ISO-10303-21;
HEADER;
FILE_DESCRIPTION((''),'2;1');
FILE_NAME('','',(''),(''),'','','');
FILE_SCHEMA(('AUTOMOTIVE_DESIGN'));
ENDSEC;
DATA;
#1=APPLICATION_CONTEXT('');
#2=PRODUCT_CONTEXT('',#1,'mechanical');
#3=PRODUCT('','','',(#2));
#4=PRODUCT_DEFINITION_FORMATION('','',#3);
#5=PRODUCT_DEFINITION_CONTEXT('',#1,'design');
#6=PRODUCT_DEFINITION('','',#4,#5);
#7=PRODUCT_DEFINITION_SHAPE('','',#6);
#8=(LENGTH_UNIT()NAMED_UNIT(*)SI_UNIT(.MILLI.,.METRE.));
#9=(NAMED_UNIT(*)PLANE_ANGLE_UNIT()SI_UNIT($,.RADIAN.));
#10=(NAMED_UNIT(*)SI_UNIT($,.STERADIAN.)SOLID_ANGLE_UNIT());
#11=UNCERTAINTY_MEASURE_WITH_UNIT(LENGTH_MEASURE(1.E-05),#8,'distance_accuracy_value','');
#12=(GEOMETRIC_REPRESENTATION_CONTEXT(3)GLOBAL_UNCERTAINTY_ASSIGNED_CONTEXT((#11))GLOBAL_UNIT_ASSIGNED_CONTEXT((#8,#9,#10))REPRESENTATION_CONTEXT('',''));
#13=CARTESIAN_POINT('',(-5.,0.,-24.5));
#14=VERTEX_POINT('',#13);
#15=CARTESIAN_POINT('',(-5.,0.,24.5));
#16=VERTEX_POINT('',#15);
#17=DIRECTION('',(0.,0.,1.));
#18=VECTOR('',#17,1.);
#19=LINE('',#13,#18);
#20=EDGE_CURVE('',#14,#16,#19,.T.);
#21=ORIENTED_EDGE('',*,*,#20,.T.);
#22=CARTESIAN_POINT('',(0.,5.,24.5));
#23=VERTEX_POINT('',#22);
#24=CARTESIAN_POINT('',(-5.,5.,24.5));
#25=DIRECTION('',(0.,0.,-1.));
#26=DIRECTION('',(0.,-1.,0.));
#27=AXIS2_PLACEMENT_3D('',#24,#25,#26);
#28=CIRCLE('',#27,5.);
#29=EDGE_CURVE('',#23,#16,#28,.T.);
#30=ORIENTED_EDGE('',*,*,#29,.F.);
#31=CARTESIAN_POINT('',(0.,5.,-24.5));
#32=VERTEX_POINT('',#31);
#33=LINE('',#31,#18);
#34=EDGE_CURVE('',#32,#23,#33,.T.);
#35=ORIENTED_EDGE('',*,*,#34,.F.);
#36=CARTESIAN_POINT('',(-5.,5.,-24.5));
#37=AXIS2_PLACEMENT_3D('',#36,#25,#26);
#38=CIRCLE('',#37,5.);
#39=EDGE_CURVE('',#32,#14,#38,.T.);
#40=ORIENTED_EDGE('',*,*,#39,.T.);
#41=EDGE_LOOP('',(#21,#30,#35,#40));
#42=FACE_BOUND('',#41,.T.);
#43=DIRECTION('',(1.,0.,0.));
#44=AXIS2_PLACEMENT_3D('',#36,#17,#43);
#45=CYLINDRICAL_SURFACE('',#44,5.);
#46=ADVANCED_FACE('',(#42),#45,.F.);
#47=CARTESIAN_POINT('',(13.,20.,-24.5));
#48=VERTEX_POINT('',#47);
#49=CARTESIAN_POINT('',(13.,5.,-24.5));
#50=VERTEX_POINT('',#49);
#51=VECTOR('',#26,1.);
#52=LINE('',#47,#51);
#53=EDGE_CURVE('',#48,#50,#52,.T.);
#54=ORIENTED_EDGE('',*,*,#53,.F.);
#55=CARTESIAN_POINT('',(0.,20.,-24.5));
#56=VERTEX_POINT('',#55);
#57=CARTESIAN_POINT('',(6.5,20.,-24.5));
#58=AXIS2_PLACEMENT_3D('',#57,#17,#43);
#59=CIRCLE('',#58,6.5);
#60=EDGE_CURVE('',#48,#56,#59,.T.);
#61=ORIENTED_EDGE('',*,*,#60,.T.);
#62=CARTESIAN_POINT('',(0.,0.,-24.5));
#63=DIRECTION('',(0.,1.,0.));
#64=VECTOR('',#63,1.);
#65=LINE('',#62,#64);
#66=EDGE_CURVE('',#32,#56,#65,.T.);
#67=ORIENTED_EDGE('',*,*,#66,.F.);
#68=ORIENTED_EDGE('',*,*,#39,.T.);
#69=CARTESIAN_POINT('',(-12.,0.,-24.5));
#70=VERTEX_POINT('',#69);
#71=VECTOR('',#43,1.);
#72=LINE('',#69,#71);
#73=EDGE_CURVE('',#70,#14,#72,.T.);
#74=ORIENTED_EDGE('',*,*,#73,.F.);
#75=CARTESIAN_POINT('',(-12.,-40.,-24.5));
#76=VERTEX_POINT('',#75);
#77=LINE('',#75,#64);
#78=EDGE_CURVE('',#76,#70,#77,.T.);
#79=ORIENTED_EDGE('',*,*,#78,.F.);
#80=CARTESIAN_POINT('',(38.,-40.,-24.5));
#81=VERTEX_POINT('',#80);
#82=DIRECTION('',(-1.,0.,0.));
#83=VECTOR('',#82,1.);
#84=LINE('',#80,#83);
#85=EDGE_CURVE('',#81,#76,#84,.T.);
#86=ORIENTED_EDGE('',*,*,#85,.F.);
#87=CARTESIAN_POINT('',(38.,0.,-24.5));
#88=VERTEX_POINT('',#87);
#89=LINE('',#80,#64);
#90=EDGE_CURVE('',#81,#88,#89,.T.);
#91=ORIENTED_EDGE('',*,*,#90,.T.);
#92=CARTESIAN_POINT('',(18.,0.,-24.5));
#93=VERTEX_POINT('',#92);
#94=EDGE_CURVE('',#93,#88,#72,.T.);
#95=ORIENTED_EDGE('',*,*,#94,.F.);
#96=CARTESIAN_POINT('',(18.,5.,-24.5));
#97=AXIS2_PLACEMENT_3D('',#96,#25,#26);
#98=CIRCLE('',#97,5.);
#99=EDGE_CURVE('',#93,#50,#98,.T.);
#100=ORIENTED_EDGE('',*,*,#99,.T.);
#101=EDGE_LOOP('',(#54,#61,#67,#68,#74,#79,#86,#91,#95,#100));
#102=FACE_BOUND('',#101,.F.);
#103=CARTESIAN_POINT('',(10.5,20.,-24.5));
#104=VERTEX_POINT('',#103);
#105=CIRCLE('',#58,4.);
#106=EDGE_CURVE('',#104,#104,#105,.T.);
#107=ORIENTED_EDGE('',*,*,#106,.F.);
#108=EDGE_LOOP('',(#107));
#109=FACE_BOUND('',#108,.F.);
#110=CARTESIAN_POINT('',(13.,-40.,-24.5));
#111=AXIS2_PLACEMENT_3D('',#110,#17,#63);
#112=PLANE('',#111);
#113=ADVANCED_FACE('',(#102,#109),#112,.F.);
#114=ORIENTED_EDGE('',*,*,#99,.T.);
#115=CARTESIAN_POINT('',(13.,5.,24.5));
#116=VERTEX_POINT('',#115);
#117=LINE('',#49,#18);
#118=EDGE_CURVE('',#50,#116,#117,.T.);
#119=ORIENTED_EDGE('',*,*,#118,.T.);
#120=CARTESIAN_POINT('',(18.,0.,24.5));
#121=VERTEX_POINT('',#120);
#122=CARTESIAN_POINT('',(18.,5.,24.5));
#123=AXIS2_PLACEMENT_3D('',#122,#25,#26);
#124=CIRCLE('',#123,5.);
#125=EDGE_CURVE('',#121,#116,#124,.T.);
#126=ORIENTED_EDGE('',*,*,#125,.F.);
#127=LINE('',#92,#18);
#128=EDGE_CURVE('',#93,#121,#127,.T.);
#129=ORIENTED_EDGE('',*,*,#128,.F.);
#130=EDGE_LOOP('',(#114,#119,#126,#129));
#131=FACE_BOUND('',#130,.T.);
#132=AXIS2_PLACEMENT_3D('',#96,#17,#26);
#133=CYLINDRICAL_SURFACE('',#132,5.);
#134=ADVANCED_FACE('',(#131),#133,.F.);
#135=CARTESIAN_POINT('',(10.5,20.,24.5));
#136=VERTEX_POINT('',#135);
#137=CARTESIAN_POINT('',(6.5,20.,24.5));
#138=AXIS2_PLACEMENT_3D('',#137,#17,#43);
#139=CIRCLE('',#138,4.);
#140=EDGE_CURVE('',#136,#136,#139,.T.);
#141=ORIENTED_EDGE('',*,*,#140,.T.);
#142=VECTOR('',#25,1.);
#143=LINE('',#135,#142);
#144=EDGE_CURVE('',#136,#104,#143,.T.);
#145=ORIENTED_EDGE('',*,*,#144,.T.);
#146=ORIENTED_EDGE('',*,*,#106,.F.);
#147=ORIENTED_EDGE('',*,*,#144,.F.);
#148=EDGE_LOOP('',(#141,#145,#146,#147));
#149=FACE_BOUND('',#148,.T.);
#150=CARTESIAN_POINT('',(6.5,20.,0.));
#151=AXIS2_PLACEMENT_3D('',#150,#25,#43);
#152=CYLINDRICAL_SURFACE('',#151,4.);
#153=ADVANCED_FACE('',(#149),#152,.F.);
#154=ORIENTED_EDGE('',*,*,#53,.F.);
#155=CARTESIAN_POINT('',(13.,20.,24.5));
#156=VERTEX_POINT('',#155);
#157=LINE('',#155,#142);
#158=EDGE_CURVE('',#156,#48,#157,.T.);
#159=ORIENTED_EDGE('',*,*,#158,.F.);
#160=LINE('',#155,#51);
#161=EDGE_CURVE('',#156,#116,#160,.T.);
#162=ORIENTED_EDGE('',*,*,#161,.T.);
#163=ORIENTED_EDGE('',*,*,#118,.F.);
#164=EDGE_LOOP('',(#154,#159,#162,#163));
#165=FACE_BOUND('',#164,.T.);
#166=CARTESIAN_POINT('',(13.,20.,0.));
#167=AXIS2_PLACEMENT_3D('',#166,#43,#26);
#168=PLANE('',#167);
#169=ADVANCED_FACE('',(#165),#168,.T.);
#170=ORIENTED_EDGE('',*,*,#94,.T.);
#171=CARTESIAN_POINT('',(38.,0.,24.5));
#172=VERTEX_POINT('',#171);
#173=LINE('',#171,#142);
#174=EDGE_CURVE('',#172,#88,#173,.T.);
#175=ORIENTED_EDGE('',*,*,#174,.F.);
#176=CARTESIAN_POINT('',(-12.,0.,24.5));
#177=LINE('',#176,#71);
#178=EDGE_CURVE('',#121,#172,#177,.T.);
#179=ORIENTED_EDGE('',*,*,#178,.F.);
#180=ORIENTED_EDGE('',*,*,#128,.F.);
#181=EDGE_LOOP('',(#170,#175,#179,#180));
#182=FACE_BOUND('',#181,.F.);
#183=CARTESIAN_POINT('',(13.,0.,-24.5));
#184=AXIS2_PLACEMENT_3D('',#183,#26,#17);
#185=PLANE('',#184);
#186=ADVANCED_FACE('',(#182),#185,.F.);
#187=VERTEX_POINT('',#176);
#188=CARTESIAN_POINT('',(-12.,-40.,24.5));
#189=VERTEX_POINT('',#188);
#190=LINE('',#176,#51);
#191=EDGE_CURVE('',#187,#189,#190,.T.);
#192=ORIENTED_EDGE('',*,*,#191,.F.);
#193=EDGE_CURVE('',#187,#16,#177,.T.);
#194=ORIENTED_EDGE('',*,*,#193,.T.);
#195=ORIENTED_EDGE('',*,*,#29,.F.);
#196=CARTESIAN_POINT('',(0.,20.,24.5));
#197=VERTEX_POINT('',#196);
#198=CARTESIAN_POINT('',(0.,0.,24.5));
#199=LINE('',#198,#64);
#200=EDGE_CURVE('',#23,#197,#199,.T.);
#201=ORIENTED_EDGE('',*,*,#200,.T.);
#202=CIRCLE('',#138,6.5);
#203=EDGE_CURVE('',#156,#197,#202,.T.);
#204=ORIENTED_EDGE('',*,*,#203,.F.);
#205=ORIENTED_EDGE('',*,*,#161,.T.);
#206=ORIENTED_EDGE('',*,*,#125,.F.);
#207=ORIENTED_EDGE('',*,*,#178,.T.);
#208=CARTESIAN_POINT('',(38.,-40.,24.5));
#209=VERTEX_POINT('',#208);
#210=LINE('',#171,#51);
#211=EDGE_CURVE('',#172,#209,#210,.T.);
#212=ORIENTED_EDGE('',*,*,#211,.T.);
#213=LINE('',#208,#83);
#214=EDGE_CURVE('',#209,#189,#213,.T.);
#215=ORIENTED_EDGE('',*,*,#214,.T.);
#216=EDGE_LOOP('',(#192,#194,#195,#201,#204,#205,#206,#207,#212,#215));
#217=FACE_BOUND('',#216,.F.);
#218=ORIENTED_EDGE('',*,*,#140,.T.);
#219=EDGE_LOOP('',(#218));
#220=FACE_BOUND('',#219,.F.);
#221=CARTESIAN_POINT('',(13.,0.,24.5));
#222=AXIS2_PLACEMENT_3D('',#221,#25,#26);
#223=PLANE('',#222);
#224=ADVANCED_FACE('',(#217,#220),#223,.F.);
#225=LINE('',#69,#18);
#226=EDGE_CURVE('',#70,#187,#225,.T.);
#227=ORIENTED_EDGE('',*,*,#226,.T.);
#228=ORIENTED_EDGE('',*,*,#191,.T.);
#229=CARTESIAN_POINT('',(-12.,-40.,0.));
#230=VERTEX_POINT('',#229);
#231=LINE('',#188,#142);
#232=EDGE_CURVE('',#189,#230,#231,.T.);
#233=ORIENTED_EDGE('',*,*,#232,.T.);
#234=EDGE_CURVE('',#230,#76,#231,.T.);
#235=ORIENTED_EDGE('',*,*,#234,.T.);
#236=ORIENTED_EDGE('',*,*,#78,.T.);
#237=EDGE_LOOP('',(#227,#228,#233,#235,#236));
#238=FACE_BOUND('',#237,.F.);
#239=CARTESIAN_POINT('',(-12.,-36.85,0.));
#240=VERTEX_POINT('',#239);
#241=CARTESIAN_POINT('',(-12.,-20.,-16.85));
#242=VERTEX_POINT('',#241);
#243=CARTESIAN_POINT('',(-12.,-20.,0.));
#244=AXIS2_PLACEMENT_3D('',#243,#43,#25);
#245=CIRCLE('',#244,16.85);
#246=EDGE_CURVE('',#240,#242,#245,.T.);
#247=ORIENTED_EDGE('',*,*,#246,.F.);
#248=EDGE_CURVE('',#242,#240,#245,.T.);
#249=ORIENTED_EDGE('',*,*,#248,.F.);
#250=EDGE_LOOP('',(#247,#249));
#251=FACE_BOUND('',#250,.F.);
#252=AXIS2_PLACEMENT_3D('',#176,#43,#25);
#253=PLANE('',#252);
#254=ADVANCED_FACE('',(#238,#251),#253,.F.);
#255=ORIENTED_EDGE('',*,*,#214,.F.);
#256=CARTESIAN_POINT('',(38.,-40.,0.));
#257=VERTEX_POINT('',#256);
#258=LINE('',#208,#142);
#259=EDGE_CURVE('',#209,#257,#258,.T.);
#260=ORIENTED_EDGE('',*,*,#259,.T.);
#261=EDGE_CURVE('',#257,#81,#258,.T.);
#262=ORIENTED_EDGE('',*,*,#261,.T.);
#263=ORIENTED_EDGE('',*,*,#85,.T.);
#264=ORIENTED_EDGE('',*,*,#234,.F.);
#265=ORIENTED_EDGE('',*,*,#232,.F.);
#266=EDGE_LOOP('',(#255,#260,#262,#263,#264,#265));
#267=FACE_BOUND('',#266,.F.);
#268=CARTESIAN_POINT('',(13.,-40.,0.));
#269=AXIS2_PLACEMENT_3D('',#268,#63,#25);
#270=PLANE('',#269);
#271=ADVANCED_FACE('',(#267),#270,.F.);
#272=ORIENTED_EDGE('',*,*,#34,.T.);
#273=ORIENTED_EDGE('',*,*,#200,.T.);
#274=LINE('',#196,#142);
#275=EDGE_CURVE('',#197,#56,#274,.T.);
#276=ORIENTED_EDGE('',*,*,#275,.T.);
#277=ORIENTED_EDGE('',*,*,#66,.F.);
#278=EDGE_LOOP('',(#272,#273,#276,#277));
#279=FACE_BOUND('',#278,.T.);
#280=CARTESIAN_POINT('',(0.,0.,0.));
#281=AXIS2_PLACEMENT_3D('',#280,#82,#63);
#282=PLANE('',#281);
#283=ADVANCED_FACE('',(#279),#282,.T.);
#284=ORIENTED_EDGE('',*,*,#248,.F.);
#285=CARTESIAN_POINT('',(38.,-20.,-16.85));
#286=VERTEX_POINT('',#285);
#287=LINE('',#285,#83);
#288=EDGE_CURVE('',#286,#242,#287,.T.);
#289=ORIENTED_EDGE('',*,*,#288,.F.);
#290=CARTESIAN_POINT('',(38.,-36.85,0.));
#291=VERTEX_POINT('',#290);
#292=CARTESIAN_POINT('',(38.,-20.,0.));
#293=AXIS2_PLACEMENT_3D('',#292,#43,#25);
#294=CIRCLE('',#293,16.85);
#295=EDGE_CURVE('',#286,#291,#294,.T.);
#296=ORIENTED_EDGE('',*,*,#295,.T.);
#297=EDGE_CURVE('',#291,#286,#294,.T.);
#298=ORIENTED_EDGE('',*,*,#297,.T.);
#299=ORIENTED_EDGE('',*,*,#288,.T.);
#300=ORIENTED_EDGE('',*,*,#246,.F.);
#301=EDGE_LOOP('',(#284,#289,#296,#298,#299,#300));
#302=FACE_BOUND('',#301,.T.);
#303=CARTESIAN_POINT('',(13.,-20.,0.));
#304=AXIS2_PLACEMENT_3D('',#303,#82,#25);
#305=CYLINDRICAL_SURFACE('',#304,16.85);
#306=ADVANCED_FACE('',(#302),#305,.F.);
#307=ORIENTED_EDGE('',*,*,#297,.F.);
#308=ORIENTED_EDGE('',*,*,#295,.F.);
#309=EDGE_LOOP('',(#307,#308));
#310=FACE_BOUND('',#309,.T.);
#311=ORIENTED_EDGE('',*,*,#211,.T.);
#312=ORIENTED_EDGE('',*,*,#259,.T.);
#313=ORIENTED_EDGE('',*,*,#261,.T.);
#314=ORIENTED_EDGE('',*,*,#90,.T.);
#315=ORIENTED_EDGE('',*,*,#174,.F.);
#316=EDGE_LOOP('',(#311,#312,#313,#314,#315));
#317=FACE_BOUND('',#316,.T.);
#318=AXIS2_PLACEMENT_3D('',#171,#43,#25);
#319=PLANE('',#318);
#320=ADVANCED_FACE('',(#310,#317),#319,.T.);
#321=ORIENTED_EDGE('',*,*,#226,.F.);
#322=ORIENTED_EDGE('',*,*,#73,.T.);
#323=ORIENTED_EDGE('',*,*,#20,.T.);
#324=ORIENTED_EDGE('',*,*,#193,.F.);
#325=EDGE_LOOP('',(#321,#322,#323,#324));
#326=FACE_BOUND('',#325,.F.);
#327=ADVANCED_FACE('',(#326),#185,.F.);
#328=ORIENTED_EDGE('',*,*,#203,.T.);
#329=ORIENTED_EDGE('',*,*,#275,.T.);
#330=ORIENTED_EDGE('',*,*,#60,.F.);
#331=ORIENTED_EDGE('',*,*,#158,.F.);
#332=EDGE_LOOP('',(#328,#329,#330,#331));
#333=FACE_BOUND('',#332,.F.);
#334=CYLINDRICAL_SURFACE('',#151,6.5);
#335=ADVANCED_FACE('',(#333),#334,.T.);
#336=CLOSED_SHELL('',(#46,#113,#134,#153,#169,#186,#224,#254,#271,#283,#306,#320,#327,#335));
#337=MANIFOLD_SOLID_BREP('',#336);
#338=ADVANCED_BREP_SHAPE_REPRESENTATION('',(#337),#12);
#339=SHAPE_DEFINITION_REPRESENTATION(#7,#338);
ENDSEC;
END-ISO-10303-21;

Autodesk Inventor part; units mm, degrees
ref_plane "YZ Plane" through (0, 0, 0) normal (1, 0, 0) x (0, 1, 0)
ref_plane "XZ Plane" through (0, 0, 0) normal (0, 1, 0) x (-1, 0, 0)
ref_plane "XY Plane" through (0, 0, 0) normal (0, 0, 1) x (1, 0, 0)
sketch "Sketch1" plane through (0, 0, 0) normal (0, 0, 1) x (1, 0, 0)
  line L0 (0, 0) -> (0, 20)
  circle A0 centre (6.5, 20) radius 6.5
  circle A1 centre (6.5, 20) radius 4
  line L1 (13, 20) -> (13, 0)
  line L2 (13, 0) -> (0, 0)
  dimension "d0" = 20
extrude "Extrusion1" add sketch "Sketch1" along normal mid plane 49
sketch "Sketch2" plane through (13, 0, 24.5) normal (1, 0, 0) x (0, 0, -1)
  line L0 (49, 0) -> (0, 0) projected
  line L1 (0, 0) -> (0, -40)
  line L2 (0, -40) -> (49, -40)
  line L3 (49, -40) -> (49, 0)
  line L4 (0, -40) -> (24.5, -40)
  line L5 (24.5, -40) -> (24.5, -20)
  circle A0 centre (24.5, -20) radius 20
  circle A1 centre (24.5, -20) radius 16.85
  point P0 (24.5, 0)
  dimension "d11" = 40
  dimension "d12" = 24.5
  dimension "d13" = 20
  dimension "d14" = 33.7
extrude "Extrusion2" add sketch "Sketch2" along normal mid plane 50
fillet "Fillet1" radius 5 1 edges at (13, 0, 0)
fillet "Fillet2" radius 5 1 edges at (0, 0, 0)
properties part number "PlacaExcavacion2"
